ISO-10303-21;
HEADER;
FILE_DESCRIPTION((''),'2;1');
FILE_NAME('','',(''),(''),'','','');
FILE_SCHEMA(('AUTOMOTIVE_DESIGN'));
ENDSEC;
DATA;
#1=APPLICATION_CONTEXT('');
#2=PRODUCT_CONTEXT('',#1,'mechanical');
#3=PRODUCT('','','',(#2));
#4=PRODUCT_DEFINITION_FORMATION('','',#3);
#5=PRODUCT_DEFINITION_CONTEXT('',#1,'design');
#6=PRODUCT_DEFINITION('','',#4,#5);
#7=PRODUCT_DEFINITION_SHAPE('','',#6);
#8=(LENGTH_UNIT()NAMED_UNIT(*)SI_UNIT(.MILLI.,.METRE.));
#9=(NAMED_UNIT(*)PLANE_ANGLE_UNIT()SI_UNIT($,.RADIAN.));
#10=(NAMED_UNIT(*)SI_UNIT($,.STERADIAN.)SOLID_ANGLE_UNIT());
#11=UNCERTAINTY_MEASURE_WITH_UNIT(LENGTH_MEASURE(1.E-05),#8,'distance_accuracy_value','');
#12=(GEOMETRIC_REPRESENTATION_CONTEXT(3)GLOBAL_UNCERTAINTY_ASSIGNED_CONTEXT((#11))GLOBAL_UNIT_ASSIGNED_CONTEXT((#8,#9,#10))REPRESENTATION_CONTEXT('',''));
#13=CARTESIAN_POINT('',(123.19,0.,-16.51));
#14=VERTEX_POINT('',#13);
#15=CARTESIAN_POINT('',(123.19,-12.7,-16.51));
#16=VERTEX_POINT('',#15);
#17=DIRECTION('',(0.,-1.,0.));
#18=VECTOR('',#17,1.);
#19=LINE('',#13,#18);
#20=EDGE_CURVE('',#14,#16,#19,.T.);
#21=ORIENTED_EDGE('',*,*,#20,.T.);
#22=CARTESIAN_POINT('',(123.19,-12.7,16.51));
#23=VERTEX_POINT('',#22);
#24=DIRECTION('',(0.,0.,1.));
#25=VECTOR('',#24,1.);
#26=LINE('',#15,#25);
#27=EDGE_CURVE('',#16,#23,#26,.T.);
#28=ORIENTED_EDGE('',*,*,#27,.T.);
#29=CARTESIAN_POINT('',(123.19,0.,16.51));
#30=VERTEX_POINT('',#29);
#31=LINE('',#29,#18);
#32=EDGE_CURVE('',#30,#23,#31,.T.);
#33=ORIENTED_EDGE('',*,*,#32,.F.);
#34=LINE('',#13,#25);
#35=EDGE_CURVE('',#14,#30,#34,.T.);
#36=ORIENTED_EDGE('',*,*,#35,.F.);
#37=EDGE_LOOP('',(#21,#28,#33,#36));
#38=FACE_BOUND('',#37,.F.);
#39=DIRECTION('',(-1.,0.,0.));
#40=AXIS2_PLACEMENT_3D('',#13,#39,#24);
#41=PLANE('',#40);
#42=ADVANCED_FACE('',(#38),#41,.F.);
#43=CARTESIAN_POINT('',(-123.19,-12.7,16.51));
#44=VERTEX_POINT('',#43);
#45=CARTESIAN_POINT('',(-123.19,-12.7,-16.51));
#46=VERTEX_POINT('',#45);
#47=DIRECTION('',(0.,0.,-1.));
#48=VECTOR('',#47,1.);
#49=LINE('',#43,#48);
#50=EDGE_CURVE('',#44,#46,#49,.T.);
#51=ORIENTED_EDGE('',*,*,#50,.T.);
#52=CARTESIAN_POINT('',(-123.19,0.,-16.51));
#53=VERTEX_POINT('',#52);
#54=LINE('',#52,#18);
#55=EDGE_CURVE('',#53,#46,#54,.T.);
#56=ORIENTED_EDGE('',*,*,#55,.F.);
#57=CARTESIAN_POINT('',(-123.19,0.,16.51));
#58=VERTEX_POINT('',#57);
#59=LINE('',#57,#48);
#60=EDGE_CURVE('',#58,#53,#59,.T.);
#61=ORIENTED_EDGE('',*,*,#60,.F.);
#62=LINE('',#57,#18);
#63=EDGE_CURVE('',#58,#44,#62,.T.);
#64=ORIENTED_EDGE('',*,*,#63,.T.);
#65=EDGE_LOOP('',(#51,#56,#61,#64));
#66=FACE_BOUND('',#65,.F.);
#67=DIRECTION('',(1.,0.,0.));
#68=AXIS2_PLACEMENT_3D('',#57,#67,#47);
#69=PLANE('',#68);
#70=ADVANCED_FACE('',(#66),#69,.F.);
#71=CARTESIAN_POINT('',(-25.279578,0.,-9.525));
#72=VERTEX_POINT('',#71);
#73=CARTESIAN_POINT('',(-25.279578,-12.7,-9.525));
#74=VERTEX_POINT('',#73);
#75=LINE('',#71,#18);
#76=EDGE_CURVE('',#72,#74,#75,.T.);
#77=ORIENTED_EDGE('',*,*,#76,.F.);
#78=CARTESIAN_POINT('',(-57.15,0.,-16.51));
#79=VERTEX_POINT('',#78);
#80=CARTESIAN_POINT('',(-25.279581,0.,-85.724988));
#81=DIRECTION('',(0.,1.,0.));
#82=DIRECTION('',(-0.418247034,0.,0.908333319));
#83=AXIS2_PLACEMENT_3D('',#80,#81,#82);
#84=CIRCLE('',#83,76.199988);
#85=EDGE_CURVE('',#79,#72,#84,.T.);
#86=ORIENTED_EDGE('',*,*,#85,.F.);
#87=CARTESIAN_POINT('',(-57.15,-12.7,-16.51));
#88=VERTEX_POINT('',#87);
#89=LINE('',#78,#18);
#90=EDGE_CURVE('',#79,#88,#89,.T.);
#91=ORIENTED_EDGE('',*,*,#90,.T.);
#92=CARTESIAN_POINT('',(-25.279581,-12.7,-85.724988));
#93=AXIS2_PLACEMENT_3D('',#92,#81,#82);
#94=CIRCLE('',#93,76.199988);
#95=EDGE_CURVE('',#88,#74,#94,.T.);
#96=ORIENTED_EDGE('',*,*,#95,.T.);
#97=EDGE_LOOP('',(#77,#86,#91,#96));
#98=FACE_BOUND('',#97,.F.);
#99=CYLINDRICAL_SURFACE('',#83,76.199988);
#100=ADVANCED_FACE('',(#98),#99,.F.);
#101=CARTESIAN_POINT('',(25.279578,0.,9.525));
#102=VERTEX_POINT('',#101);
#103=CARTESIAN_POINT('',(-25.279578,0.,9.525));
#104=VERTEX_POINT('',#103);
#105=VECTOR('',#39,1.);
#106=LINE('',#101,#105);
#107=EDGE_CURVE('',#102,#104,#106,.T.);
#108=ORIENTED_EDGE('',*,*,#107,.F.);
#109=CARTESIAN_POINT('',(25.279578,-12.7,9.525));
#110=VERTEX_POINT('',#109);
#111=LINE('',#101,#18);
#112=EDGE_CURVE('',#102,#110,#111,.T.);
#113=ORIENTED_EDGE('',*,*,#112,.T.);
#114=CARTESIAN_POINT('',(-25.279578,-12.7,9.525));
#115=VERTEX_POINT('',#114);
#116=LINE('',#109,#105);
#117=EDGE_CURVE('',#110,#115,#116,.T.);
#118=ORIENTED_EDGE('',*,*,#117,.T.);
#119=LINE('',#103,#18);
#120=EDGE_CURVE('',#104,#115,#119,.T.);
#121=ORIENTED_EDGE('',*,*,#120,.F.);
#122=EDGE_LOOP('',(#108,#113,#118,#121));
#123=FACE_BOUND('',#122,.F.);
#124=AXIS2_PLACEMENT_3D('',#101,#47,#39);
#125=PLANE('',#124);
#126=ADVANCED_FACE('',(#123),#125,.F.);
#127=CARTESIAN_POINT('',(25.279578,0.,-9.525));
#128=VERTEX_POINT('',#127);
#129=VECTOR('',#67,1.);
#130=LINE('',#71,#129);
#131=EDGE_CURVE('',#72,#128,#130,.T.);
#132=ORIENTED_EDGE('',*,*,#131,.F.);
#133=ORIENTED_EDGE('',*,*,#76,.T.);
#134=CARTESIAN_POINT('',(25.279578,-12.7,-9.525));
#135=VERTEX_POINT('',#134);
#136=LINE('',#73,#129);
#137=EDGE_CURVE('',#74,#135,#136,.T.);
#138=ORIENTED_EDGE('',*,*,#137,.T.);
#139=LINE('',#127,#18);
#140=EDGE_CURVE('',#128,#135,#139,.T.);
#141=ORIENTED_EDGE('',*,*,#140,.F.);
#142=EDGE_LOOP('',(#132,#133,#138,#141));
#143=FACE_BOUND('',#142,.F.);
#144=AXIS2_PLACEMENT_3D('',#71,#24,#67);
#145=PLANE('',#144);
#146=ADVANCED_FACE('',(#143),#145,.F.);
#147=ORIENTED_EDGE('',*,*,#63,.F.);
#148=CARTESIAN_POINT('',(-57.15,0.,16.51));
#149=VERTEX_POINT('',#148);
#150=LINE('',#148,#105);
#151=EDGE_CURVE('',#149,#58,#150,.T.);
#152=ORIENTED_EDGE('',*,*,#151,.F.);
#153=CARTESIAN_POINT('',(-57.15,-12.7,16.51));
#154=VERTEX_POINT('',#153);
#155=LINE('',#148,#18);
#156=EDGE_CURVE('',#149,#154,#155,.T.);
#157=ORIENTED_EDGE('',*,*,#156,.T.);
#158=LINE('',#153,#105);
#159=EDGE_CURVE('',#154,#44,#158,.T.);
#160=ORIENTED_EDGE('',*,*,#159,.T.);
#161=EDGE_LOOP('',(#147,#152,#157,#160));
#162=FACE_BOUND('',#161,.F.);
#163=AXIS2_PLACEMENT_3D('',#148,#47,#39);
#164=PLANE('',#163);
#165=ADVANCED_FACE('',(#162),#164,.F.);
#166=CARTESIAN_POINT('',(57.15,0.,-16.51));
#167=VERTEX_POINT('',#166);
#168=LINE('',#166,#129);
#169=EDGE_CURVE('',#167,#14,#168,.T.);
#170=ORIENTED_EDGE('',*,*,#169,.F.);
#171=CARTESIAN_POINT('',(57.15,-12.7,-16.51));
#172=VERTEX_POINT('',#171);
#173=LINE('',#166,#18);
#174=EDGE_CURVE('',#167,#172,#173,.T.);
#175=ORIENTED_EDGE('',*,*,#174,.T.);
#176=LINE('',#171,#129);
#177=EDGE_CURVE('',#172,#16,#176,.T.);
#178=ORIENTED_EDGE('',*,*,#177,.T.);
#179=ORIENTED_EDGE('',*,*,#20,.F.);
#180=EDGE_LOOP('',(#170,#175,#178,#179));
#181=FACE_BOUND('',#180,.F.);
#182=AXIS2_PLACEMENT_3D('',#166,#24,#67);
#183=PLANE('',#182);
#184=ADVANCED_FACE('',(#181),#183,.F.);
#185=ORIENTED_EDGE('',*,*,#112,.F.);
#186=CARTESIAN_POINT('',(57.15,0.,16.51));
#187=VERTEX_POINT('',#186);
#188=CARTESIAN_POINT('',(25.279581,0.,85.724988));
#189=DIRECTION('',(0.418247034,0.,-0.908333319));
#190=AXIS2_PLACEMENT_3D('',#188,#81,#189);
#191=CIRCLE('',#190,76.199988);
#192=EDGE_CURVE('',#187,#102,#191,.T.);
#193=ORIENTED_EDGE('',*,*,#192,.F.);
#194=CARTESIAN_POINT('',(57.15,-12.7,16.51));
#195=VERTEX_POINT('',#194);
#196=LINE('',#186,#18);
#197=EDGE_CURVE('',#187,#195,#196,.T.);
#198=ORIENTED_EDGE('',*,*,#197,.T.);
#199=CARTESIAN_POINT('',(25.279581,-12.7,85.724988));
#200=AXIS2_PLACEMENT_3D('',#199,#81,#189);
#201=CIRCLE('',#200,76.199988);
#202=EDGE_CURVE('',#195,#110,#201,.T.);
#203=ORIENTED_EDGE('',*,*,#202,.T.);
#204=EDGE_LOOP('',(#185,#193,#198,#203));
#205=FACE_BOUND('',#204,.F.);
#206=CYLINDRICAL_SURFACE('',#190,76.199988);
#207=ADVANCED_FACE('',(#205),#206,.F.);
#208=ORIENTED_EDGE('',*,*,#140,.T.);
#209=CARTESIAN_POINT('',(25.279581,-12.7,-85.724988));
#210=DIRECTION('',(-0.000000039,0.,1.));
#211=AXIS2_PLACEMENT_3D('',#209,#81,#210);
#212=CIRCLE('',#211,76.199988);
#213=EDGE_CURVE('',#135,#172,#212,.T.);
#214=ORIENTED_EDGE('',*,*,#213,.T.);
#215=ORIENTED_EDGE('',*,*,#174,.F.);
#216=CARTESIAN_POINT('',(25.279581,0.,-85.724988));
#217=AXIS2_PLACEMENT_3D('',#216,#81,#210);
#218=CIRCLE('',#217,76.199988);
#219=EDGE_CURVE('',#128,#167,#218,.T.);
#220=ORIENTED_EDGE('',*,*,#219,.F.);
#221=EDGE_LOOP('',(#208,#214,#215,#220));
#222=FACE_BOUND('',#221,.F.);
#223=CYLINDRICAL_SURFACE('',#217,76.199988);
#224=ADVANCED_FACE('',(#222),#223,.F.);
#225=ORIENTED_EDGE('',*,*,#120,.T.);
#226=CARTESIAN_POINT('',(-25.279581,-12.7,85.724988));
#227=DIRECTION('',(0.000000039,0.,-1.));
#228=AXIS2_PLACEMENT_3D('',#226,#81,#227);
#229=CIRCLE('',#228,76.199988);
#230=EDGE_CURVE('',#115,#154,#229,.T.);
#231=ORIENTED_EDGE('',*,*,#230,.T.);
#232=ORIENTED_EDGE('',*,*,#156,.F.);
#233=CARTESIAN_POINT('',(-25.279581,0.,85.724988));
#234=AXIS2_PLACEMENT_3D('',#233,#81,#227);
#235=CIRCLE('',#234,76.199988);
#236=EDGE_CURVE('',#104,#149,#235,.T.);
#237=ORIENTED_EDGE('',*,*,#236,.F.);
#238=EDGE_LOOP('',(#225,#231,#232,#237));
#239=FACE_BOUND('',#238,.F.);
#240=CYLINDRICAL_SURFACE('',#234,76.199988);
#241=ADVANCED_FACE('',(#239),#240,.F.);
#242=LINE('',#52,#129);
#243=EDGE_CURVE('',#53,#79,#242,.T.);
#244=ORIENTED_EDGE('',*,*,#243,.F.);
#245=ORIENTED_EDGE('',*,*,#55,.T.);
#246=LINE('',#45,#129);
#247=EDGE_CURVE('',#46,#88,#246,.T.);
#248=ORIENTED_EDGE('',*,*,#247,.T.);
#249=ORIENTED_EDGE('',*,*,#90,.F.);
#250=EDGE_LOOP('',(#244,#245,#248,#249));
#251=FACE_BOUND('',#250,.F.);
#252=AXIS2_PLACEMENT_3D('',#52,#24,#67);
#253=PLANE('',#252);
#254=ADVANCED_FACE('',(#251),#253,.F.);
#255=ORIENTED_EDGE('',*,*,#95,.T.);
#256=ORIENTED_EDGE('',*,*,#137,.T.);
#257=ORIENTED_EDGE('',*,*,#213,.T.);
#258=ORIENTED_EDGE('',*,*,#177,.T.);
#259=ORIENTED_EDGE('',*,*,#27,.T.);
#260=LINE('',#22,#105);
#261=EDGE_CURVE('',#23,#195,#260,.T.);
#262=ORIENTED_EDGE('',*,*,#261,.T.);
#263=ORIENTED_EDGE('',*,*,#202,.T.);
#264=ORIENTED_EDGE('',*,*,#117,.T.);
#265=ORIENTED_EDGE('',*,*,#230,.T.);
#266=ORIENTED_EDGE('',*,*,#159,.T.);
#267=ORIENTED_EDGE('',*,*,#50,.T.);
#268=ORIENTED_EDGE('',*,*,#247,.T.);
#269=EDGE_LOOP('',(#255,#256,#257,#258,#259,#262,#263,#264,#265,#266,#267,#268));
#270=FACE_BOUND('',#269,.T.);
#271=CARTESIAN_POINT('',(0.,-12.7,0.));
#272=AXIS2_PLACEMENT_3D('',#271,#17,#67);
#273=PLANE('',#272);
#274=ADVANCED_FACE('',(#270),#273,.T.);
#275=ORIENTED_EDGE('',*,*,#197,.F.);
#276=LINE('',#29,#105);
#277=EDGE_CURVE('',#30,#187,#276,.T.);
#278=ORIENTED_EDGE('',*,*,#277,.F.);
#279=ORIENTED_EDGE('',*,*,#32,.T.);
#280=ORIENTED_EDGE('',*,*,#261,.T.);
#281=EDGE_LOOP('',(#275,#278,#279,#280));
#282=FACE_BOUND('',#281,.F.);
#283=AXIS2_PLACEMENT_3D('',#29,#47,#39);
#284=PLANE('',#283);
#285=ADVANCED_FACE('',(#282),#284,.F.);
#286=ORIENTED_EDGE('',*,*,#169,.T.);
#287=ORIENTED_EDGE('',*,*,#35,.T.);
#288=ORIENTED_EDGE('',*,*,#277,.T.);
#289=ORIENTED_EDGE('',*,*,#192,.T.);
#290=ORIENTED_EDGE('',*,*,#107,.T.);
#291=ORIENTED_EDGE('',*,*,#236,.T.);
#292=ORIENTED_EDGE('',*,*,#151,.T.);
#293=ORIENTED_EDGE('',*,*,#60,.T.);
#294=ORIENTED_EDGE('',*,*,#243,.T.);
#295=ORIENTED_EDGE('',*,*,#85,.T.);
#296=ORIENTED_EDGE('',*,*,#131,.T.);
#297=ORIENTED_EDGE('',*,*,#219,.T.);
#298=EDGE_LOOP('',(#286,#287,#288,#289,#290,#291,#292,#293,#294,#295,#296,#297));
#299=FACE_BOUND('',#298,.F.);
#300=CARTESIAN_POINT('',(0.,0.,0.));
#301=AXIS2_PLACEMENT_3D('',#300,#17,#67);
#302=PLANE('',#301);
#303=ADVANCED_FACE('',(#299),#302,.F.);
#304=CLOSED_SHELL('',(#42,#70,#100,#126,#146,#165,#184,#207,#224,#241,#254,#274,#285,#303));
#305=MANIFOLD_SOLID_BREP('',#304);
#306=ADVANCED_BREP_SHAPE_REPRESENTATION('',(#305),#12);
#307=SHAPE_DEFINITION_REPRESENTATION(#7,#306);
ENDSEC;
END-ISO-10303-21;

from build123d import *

# Parameters (mm, degrees)
F1_DEPTH = 12.7


with BuildPart() as f1:
    # F0 (on Front) → F1 (new body)
    with BuildSketch(Plane.XZ):
        with BuildLine():
            Line((25.279578, 9.525), (0, 9.525))
            Line((0, 9.525), (-25.279578, 9.525))
            ThreePointArc((-25.279578, 9.525), (-41.593024, 11.291731), (-57.15, 16.51))
            Line((-57.15, 16.51), (-123.19, 16.51))
            Line((-123.19, 16.51), (-123.19, 0))
            Line((-123.19, 0), (-123.19, -16.51))
            Line((-123.19, -16.51), (-57.15, -16.51))
            ThreePointArc((-57.15, -16.51), (-41.593024, -11.291731), (-25.279578, -9.525))
            Line((-25.279578, -9.525), (0, -9.525))
            Line((0, -9.525), (25.279578, -9.525))
            ThreePointArc((25.279578, -9.525), (41.593024, -11.291731), (57.15, -16.51))
            Line((57.15, -16.51), (123.19, -16.51))
            Line((123.19, -16.51), (123.19, 0))
            Line((123.19, 0), (123.19, 16.51))
            Line((123.19, 16.51), (57.15, 16.51))
            ThreePointArc((57.15, 16.51), (41.593024, 11.291731), (25.279578, 9.525))
        make_face()
    extrude(amount=F1_DEPTH)


solid = f1.part
